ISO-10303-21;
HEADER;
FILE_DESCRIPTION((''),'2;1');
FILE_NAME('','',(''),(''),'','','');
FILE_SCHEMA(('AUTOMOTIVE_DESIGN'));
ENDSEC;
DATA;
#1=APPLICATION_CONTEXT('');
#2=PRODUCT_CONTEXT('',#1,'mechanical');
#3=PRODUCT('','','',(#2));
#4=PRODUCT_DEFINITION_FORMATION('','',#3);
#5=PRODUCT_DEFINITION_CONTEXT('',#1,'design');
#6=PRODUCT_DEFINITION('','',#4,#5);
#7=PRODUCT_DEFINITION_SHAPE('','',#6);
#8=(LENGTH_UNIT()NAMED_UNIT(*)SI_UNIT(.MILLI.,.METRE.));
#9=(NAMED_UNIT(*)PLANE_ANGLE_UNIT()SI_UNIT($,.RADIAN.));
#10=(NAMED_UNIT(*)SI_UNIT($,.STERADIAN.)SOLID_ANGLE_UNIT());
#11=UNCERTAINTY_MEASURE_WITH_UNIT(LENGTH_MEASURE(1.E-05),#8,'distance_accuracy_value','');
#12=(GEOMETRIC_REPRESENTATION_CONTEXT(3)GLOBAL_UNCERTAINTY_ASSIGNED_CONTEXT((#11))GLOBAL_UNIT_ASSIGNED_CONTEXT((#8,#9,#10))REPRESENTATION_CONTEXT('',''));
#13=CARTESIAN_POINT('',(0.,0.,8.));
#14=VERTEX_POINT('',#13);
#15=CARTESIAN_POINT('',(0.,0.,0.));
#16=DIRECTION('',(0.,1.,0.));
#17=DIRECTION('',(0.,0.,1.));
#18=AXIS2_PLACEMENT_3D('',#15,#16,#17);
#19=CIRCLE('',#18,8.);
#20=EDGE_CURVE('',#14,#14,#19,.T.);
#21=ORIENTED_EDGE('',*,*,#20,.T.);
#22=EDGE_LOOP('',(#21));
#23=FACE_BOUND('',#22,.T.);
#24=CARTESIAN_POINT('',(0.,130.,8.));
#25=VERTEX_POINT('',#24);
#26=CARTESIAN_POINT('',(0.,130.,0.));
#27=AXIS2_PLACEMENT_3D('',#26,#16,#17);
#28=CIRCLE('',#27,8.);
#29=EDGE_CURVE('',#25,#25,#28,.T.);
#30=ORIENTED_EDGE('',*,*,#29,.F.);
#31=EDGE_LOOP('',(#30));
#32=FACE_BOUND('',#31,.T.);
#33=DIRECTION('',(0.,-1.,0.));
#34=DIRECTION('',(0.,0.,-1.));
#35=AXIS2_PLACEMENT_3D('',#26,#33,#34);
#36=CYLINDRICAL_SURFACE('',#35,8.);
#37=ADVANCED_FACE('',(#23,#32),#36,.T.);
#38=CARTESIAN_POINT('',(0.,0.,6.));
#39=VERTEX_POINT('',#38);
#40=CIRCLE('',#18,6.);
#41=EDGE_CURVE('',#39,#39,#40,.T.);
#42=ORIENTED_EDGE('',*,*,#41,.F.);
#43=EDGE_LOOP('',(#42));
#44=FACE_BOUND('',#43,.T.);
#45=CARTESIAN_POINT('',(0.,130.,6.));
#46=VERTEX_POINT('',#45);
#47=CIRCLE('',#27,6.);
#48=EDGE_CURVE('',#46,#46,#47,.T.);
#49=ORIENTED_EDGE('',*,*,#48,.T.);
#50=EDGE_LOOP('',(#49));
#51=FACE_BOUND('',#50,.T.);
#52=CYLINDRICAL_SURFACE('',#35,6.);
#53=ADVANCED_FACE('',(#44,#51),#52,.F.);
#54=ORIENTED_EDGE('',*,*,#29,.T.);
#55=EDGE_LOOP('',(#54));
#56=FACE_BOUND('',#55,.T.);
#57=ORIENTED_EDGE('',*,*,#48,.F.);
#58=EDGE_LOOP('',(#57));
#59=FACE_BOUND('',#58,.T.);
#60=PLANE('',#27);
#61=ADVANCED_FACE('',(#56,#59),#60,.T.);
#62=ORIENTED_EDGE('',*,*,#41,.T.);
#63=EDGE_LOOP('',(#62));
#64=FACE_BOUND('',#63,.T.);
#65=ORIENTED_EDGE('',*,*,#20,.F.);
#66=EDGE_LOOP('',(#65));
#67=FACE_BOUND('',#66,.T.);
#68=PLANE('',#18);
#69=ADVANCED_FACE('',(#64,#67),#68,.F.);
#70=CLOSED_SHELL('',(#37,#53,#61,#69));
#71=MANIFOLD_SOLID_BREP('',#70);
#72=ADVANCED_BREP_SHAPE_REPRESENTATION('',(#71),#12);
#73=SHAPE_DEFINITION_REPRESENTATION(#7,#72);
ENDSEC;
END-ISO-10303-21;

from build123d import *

# Parameters (mm, degrees)
SKETCH_1_R      = 8
SKETCH_1_R_2    = 6
EXTRUDE_1_DEPTH = 130


with BuildPart() as part:
    # 草图1 → 凸台-拉伸1 (new body)
    with BuildSketch(Plane(origin=(0, 0, 0), x_dir=(1, 0, 0), z_dir=(0, 1, 0))):
        Circle(SKETCH_1_R)
        Circle(SKETCH_1_R_2, mode=Mode.SUBTRACT)
    extrude(amount=EXTRUDE_1_DEPTH)


solid = part.part
